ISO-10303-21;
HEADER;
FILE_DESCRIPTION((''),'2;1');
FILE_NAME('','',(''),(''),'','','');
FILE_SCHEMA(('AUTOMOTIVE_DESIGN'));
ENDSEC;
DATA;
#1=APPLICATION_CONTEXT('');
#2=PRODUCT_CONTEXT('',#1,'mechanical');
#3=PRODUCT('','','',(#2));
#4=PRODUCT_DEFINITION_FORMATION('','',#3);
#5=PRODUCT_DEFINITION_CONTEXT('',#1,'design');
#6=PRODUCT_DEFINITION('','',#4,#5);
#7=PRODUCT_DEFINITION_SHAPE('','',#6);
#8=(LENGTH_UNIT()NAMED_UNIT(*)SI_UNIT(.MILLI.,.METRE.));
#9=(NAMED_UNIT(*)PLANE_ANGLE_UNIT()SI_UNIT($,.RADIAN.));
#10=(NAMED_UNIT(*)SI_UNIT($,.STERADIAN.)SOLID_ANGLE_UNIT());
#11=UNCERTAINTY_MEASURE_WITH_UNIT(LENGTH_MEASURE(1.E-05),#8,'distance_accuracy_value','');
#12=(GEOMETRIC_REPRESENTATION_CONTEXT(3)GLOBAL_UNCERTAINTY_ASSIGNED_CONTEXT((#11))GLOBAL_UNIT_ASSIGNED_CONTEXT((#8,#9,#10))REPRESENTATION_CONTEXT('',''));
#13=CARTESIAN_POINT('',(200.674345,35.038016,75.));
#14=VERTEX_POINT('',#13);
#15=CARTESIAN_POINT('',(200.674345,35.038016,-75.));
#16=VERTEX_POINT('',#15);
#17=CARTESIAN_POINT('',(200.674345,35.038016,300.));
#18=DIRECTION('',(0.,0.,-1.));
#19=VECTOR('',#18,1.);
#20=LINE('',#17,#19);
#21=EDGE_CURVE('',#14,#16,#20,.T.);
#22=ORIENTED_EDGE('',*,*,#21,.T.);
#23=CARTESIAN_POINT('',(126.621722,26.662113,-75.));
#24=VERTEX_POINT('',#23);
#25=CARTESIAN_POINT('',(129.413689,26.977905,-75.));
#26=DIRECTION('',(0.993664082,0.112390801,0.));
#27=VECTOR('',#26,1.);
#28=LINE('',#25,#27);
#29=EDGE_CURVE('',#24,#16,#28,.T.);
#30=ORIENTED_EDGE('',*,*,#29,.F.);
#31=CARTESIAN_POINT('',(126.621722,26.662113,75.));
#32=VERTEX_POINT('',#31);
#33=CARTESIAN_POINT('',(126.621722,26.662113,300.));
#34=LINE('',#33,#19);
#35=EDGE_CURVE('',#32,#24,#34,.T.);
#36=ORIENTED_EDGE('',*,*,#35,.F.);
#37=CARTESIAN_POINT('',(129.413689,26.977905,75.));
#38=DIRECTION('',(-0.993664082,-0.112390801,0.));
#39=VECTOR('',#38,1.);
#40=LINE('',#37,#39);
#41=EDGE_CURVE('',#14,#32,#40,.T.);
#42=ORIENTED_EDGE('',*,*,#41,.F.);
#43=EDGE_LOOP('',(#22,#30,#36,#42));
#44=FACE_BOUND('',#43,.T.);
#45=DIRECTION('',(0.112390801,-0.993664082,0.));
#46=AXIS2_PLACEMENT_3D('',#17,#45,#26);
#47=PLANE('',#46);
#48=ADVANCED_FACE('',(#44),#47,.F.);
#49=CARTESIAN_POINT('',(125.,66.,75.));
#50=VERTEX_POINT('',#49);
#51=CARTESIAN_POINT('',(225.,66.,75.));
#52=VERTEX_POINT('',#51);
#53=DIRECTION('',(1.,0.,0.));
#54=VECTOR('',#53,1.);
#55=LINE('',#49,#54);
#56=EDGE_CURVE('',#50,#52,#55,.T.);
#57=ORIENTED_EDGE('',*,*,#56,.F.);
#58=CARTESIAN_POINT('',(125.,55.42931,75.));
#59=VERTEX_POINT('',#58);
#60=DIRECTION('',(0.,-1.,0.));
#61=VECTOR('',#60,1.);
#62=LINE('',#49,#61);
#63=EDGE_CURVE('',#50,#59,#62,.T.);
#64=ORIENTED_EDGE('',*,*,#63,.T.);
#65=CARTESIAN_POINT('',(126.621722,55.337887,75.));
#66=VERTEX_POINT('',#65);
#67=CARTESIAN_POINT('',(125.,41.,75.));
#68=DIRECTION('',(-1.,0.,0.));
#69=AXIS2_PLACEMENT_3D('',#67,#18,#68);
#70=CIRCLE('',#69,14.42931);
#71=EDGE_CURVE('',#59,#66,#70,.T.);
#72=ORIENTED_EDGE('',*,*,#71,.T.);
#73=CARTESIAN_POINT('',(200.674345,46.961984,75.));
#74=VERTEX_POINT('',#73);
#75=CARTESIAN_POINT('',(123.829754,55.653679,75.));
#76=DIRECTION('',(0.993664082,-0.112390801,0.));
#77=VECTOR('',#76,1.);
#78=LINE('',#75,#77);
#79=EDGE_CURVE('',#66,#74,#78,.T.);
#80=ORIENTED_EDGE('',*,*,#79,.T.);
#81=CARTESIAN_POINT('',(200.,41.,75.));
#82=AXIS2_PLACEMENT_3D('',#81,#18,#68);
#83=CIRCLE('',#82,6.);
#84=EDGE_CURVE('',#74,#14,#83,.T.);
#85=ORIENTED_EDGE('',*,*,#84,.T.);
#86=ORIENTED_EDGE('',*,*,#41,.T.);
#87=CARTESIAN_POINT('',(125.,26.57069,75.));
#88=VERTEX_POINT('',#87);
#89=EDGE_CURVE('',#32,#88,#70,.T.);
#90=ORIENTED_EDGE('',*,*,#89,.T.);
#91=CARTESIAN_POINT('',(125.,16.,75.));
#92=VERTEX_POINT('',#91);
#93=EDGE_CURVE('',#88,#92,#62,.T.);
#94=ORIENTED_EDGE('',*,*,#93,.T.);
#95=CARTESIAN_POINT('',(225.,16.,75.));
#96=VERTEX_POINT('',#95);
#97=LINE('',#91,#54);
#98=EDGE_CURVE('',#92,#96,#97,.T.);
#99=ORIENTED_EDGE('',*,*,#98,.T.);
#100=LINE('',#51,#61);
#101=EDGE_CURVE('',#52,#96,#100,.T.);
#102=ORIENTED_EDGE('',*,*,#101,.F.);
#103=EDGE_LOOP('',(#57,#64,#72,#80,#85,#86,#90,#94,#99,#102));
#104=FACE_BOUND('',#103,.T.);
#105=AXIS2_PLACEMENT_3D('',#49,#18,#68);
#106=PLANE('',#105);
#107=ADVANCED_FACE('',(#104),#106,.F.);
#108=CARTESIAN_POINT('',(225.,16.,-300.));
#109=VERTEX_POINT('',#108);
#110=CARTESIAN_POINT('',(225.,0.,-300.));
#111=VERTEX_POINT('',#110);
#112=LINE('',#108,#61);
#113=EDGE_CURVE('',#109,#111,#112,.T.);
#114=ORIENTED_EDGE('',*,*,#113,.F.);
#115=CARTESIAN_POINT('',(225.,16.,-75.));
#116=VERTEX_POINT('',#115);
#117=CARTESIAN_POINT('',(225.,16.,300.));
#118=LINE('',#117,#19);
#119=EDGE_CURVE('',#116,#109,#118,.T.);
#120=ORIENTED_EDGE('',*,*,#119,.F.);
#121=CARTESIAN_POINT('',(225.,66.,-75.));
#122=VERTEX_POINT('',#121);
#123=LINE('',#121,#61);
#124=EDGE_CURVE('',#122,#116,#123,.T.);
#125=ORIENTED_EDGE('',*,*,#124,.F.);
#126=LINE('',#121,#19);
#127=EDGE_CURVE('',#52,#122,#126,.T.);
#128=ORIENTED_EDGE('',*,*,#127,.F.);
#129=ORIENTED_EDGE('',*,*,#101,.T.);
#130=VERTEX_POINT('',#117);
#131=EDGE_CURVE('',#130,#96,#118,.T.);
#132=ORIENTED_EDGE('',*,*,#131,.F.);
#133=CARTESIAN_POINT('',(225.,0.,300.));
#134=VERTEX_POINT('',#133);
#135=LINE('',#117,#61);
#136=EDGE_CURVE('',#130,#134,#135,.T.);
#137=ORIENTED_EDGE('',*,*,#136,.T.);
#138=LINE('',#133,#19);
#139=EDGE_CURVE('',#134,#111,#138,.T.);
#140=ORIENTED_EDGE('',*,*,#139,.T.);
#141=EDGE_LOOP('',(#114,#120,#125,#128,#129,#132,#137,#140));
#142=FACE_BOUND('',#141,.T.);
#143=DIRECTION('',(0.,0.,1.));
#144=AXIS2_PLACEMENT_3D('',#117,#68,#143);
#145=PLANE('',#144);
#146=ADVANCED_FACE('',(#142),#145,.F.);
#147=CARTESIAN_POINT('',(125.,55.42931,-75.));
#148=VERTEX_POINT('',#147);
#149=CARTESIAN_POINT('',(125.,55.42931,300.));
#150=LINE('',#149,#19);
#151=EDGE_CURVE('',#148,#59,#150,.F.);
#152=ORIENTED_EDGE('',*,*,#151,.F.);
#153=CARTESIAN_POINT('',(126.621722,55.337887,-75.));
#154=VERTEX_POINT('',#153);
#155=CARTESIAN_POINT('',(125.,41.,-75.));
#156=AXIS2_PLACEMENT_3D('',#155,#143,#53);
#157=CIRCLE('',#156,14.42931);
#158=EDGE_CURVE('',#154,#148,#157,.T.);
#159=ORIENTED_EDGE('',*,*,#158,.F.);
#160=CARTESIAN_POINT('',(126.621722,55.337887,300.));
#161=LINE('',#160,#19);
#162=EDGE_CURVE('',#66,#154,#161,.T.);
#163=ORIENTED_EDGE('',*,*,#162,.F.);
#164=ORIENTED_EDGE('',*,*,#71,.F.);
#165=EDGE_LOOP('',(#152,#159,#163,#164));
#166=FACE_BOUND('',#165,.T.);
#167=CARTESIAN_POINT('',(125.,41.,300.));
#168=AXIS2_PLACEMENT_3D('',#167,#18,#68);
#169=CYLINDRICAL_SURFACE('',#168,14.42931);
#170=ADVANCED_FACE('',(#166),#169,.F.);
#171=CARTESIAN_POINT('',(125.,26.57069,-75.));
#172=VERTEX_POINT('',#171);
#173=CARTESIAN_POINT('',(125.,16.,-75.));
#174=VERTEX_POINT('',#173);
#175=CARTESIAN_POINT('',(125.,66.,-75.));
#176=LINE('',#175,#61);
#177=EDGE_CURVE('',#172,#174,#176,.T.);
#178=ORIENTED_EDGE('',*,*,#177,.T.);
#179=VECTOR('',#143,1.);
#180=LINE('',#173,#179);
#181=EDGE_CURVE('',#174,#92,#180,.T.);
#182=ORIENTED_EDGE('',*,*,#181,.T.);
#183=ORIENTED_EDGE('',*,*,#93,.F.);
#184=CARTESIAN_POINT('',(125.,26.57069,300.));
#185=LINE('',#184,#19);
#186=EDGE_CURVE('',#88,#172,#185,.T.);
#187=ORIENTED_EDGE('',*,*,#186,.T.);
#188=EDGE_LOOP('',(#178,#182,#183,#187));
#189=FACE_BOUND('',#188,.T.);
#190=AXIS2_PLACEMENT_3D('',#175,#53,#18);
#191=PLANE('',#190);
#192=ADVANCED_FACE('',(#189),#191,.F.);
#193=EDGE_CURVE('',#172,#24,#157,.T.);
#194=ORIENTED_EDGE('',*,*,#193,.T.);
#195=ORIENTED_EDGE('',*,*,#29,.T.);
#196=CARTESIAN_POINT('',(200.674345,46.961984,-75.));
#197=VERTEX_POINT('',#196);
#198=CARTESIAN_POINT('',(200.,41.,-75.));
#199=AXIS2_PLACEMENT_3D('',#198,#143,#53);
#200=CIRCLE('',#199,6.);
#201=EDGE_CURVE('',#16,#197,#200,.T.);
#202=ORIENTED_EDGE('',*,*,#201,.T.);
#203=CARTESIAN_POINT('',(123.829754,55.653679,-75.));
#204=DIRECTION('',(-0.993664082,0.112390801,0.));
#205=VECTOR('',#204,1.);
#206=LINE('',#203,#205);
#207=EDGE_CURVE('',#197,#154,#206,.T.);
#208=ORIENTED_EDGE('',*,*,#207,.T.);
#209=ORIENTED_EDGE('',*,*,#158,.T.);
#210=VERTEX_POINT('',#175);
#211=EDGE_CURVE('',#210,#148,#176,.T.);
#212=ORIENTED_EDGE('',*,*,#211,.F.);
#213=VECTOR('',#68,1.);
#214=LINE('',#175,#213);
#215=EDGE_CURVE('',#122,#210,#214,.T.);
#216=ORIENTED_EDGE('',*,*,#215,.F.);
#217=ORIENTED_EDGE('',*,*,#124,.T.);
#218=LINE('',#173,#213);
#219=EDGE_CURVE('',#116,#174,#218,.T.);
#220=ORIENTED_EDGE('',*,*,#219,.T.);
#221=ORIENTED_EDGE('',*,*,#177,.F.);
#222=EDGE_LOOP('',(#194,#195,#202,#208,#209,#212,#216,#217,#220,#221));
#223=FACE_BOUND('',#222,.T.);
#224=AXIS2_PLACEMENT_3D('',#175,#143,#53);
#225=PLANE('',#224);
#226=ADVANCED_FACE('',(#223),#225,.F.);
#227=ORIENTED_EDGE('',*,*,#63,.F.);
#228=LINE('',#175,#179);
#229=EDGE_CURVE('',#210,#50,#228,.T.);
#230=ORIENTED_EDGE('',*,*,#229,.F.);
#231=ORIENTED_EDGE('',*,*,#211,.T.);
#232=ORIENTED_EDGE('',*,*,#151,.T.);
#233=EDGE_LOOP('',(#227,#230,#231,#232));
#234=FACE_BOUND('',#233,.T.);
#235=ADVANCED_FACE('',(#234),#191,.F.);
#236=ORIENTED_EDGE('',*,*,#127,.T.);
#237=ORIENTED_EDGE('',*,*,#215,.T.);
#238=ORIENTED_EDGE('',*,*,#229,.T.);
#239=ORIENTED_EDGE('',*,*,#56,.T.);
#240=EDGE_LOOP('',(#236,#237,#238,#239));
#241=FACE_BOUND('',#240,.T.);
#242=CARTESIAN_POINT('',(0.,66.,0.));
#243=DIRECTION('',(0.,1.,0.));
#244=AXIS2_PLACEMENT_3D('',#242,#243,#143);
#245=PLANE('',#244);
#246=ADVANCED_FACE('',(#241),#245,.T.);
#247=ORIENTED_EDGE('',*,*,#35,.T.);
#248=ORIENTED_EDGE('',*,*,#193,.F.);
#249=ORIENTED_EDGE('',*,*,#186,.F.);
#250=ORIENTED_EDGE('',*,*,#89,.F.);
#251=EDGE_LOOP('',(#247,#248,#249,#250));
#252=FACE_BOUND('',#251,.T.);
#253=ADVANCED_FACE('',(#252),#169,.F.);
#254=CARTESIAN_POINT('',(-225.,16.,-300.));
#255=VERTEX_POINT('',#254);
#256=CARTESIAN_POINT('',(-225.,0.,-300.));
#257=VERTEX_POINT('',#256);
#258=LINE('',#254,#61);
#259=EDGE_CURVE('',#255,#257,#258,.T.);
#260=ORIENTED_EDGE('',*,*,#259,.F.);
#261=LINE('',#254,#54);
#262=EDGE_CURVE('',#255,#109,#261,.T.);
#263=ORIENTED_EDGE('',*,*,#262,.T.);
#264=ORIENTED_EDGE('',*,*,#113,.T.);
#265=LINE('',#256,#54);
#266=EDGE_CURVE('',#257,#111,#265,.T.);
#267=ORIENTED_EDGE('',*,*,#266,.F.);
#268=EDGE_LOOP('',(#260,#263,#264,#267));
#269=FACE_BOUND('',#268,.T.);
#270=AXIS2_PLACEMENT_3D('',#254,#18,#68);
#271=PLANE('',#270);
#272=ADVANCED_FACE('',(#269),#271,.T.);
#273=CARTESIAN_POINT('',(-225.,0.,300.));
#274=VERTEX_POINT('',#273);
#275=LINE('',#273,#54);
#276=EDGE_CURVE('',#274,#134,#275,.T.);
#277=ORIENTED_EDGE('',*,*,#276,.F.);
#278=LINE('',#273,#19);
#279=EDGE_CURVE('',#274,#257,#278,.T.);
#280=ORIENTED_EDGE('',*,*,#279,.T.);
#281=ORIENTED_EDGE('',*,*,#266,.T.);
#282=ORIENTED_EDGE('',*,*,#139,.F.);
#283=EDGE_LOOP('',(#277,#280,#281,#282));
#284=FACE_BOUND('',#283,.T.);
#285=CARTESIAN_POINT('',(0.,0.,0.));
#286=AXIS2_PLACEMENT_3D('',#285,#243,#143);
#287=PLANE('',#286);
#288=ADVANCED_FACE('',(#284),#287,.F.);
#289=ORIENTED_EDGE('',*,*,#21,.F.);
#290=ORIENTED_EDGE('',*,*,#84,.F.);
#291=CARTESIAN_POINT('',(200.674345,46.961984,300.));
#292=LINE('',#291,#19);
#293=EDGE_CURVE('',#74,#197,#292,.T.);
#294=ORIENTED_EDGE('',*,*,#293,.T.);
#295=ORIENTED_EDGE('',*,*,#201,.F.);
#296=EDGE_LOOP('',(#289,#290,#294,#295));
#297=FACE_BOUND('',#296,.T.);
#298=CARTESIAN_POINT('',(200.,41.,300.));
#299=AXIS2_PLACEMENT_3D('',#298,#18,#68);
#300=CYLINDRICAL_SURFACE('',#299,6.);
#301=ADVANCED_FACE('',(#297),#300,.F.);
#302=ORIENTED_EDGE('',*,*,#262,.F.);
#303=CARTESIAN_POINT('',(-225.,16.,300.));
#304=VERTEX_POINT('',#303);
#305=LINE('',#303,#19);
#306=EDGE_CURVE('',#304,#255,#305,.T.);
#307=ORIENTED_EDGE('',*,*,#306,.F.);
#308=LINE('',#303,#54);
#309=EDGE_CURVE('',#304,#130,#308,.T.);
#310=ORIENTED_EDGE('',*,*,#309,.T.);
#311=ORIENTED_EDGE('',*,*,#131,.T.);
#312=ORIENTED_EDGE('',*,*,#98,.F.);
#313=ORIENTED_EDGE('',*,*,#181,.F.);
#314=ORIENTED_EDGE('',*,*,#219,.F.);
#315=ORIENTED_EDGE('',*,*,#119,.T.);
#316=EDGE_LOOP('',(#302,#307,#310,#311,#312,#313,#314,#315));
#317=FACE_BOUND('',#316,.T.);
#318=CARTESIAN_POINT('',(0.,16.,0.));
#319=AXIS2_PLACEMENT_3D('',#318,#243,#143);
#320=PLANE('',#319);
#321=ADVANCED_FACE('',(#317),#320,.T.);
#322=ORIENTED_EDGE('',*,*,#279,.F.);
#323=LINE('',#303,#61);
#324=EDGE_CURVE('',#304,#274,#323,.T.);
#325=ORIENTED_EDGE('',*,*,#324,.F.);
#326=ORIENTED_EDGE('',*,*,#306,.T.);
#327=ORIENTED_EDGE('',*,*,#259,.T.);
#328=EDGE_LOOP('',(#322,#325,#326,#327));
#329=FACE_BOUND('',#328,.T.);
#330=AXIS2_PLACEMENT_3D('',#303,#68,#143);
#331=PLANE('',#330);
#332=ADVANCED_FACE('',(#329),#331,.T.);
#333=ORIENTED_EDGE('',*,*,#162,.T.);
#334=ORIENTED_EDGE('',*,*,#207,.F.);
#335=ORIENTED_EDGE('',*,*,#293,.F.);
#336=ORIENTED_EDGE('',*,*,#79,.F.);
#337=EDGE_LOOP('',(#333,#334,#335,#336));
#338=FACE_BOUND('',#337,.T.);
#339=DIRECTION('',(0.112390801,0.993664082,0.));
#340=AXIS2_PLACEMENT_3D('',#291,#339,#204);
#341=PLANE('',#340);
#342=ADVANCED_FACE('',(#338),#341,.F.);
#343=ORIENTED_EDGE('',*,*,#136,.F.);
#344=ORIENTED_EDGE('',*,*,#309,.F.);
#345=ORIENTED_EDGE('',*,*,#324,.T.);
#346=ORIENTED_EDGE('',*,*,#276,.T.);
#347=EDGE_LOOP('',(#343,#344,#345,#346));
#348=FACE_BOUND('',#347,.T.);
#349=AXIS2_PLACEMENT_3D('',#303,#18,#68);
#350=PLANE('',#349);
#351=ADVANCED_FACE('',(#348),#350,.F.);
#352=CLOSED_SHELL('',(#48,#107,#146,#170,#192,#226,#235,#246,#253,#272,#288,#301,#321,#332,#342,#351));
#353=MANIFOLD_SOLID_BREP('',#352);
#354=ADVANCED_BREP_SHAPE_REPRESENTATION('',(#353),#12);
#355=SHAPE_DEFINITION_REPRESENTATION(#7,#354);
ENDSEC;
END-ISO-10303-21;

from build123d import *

# Parameters (mm, degrees)
SKETCH1_W               = 450
SKETCH1_H               = 600
BOSS_EXTRUDE1_DEPTH     = 16
SKETCH2_W               = 100
SKETCH2_H               = 150
BOSS_EXTRUDE2_DEPTH     = 50
CUT_EXTRUDE1_DEPTH      = 443.273670932
CUT_EXTRUDE1_DEPTH_BACK = 443.273670932


with BuildPart() as part:
    # Sketch1 → Boss-Extrude1 (new body)
    with BuildSketch(Plane(origin=(0, 0, 0), x_dir=(1, 0, 0), z_dir=(0, 1, 0))):
        Rectangle(SKETCH1_W, SKETCH1_H)
    extrude(amount=BOSS_EXTRUDE1_DEPTH)

    # Sketch2 → Boss-Extrude2 (add)
    with BuildSketch(Plane(origin=(0, 16, 0), x_dir=(1, 0, 0), z_dir=(0, 1, 0))):
        with Locations((175, 0)):
            Rectangle(SKETCH2_W, SKETCH2_H)
    extrude(amount=BOSS_EXTRUDE2_DEPTH)

    # Sketch3 → Cut-Extrude1 (cut, two sides: drawn at the far end of the back side and taken through both)
    with BuildSketch(Plane(origin=(0, 0, -75), x_dir=(-1, 0, 0), z_dir=(0, 0, -1)).offset(-CUT_EXTRUDE1_DEPTH_BACK)):
        with BuildLine():
            Line((-200.674344807, 46.961984492), (-126.621721722, 55.337887164))
            ThreePointArc((-126.621721722, 55.337887164), (-110.57068991, 41), (-126.621721722, 26.662112836))
            Line((-126.621721722, 26.662112836), (-200.674344807, 35.038015508))
            ThreePointArc((-200.674344807, 35.038015508), (-206, 41), (-200.674344807, 46.961984492))
        make_face()
    extrude(amount=CUT_EXTRUDE1_DEPTH + CUT_EXTRUDE1_DEPTH_BACK, mode=Mode.SUBTRACT)


solid = part.part
